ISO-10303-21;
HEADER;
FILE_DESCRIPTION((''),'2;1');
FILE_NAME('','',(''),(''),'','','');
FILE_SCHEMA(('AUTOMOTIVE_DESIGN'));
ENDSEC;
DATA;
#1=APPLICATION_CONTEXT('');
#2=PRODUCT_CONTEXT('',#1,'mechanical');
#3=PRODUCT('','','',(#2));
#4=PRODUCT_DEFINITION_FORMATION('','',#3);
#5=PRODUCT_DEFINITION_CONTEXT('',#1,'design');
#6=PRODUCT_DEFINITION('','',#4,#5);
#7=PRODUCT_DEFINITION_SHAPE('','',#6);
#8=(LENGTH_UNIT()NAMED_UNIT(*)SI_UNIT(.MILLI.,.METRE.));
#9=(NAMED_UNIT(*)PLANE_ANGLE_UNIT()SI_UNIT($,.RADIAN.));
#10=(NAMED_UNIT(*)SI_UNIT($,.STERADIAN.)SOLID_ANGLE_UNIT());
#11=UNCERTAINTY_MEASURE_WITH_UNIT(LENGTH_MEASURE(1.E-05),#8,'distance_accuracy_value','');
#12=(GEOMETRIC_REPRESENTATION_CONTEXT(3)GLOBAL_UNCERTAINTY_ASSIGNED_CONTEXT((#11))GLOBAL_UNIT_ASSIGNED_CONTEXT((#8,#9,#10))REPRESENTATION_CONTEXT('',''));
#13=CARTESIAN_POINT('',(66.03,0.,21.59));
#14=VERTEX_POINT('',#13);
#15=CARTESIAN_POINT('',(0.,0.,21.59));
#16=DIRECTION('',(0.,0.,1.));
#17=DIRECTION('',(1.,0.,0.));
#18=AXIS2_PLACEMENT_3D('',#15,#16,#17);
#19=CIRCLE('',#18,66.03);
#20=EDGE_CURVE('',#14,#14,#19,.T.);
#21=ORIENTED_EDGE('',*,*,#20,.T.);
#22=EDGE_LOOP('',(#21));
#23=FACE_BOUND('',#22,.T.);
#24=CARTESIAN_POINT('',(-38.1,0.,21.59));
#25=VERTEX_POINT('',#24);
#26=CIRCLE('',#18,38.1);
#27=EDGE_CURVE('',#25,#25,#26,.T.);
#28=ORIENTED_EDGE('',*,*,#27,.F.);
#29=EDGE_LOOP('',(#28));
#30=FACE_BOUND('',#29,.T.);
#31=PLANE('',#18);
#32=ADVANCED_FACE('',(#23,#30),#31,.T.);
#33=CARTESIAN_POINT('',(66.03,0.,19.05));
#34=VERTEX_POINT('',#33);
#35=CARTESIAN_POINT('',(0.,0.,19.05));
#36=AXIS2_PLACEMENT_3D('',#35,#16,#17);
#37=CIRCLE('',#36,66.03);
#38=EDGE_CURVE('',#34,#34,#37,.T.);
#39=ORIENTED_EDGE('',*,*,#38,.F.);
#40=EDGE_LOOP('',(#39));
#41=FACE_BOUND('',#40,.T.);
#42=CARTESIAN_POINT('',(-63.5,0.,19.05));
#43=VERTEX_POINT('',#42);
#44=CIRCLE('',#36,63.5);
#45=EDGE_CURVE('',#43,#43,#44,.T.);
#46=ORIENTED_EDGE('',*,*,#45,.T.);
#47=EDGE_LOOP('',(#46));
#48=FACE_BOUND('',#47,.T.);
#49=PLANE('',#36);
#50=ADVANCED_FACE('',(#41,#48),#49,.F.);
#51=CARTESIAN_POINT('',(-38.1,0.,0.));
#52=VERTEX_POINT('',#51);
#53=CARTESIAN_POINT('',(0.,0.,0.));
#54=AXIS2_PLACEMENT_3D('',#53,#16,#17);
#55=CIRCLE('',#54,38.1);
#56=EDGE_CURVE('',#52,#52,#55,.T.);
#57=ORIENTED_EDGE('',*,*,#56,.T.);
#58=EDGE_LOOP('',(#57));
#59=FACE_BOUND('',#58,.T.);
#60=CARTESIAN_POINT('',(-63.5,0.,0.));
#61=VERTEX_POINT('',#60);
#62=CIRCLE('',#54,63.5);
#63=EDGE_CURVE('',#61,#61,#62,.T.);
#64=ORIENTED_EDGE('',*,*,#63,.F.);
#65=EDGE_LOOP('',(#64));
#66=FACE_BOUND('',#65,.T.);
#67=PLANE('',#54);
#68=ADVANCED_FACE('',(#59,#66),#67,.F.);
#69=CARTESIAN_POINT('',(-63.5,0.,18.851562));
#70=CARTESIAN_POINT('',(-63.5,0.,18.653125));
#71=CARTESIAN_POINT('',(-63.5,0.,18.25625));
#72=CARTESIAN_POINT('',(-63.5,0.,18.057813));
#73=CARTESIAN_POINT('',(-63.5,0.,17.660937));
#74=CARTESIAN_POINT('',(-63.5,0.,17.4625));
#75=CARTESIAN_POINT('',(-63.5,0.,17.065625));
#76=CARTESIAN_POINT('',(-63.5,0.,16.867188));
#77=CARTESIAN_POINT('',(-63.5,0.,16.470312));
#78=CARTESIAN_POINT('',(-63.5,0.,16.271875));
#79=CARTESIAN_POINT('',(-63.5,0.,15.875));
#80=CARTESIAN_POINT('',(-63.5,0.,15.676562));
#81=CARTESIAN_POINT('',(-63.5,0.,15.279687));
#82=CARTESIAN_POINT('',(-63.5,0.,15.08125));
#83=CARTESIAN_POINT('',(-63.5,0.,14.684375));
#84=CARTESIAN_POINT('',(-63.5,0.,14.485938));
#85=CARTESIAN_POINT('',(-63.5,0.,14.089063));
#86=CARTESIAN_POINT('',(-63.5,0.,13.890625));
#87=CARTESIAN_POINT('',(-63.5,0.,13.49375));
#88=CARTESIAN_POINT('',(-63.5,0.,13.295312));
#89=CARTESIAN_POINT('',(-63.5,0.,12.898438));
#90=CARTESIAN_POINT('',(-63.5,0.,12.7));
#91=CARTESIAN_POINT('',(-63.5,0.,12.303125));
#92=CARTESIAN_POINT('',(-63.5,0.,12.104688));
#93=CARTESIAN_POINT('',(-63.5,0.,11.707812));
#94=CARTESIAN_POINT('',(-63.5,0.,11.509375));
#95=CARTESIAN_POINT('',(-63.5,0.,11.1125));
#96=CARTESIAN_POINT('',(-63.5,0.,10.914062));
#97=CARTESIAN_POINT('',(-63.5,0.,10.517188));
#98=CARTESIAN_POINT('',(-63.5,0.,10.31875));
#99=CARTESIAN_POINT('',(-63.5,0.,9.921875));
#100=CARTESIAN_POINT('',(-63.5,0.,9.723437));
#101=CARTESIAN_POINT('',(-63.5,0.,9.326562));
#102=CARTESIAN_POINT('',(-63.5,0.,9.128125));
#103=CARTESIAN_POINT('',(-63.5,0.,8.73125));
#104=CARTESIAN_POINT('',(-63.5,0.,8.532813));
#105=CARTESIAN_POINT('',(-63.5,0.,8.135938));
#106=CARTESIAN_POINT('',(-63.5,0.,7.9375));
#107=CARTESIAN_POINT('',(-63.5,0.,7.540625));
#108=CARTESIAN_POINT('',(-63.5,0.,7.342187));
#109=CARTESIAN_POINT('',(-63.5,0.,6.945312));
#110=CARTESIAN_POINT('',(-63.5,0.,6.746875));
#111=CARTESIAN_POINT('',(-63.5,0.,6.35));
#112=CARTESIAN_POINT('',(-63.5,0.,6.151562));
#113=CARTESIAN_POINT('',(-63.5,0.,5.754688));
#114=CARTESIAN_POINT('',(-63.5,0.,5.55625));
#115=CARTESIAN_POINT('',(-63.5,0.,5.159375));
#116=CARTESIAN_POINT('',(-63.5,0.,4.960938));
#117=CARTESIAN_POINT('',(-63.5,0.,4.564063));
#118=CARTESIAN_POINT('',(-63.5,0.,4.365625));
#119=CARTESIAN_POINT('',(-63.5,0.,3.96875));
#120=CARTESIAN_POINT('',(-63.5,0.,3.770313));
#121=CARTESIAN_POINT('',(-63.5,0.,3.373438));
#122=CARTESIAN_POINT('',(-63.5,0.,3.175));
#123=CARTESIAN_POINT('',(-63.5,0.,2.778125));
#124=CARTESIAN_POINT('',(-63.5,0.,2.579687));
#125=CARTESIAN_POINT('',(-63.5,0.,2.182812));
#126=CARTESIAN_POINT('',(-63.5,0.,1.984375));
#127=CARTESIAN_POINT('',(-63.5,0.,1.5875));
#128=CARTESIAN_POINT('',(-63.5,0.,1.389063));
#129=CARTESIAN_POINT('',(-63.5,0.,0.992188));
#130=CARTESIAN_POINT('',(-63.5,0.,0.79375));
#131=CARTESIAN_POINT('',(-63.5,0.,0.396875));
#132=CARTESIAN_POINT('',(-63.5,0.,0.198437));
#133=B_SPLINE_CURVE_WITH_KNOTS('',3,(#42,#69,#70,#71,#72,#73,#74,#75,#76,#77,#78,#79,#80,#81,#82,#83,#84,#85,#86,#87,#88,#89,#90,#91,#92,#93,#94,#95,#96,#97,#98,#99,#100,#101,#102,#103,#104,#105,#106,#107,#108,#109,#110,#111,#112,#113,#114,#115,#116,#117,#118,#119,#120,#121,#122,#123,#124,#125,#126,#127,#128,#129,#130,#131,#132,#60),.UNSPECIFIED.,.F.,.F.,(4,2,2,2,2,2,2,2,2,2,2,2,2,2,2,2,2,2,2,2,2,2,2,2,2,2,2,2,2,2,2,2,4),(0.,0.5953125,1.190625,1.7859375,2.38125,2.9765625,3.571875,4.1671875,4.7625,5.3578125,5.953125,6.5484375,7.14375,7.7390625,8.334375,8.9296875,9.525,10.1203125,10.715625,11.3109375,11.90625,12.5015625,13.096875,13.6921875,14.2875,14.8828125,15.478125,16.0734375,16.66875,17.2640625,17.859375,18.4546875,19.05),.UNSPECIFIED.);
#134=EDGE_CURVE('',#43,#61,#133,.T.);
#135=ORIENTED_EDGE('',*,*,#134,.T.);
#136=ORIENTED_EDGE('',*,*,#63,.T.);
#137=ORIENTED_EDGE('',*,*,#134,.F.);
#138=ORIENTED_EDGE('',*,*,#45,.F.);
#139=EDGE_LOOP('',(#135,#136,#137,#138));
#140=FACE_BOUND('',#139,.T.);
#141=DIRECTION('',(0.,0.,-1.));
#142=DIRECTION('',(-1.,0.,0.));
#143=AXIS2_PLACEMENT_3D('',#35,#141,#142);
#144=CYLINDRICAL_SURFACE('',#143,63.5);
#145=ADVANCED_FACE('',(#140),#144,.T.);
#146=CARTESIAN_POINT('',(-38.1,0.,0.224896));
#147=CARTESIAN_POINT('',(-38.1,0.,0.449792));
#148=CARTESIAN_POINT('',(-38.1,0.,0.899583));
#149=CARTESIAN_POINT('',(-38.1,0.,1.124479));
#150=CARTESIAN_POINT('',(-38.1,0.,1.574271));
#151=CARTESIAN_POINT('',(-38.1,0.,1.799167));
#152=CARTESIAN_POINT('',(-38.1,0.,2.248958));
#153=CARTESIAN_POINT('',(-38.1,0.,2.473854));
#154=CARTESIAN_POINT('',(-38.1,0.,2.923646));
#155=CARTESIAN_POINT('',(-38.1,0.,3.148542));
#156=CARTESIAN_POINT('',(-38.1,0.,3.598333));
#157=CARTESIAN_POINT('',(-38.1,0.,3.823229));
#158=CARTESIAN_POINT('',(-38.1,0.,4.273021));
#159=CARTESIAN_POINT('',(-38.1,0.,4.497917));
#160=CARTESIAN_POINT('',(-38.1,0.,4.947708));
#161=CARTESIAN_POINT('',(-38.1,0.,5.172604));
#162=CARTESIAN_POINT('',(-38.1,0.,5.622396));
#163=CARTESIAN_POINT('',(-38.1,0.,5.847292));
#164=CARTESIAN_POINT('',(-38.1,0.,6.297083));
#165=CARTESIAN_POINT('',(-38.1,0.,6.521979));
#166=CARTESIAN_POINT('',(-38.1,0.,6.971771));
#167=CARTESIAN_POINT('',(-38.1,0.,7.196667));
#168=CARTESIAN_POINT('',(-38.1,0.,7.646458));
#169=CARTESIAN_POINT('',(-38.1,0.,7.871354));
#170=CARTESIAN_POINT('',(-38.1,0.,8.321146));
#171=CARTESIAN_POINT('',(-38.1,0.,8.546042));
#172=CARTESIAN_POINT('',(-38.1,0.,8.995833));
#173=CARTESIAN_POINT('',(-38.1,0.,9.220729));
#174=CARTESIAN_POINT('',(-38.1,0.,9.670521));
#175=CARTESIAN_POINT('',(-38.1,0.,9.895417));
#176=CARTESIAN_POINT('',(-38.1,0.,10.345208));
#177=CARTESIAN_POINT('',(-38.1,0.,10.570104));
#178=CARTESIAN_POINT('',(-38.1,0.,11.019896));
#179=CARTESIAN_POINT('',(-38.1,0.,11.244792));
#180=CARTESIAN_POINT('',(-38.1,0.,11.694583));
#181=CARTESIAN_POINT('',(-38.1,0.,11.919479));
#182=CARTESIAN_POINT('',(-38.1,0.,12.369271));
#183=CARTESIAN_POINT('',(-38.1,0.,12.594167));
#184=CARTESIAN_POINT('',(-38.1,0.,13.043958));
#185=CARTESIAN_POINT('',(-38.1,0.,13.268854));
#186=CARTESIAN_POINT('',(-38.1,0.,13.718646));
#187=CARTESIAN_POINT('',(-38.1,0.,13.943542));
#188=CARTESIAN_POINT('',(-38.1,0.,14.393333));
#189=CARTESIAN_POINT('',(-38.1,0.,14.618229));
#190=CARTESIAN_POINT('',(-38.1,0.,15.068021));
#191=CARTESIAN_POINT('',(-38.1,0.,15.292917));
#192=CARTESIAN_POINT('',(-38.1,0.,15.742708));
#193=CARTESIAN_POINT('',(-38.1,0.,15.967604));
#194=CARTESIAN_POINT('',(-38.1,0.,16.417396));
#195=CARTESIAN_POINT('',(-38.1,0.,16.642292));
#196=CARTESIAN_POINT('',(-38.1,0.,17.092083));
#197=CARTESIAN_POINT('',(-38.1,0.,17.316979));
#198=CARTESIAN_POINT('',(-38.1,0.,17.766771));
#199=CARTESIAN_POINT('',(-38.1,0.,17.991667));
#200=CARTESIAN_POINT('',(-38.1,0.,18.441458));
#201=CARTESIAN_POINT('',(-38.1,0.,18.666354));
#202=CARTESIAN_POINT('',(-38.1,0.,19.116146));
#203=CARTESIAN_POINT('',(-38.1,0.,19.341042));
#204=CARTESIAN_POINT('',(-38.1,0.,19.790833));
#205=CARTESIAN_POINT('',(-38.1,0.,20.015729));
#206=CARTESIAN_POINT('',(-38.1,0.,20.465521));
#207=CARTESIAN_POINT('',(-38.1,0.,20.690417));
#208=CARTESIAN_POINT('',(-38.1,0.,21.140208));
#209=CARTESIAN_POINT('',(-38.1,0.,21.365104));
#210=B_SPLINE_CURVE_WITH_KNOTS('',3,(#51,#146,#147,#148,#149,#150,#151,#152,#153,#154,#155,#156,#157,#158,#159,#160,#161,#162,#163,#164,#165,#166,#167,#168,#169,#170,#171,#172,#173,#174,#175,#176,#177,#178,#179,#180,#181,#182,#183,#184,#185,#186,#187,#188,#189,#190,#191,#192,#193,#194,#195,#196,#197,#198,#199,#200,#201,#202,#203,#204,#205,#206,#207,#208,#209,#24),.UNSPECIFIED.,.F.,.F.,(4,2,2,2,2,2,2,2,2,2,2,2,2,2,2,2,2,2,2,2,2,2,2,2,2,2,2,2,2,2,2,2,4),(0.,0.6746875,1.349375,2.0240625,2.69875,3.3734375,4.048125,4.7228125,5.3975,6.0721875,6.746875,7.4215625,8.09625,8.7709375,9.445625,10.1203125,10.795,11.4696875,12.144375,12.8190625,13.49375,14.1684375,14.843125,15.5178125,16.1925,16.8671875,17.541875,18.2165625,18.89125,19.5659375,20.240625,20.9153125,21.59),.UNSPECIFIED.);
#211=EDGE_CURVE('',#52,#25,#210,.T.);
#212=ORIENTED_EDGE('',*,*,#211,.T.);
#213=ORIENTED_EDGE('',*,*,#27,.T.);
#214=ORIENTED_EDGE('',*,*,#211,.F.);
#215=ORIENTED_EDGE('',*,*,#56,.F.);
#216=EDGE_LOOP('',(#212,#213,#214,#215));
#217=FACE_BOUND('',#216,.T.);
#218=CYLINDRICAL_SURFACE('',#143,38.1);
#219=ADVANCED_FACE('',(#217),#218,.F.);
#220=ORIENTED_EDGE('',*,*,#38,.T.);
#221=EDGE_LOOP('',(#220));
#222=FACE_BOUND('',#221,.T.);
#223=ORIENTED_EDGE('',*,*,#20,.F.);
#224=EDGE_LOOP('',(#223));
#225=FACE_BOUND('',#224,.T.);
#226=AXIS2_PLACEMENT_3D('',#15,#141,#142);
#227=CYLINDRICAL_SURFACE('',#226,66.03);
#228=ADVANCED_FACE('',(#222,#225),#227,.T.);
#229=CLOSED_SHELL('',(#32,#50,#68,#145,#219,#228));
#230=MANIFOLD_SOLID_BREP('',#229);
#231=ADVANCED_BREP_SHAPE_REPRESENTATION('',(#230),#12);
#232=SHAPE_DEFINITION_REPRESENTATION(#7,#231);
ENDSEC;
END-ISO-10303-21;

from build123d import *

# Parameters (mm, degrees)
SKETCH1_R           = 63.5
SKETCH1_R_2         = 38.1
BOSS_EXTRUDE1_DEPTH = 19.05
SKETCH2_R           = 66.03
SKETCH2_R_2         = 38.1
BOSS_EXTRUDE2_DEPTH = 2.54


with BuildPart() as part:
    # Sketch1 → Boss-Extrude1 (new body)
    with BuildSketch(Plane.XY):
        with Locations(Location((0, 0, 0), (0, 0, 180))):
            Circle(SKETCH1_R)
        with Locations(Location((0, 0, 0), (0, 0, 180))):
            Circle(SKETCH1_R_2, mode=Mode.SUBTRACT)
    extrude(amount=BOSS_EXTRUDE1_DEPTH)

    # Sketch2 → Boss-Extrude2 (add)
    with BuildSketch(Plane.XY.offset(19.05)):
        Circle(SKETCH2_R)
        with Locations(Location((0, 0, 0), (0, 0, 180))):
            Circle(SKETCH2_R_2, mode=Mode.SUBTRACT)
    extrude(amount=BOSS_EXTRUDE2_DEPTH)


solid = part.part
